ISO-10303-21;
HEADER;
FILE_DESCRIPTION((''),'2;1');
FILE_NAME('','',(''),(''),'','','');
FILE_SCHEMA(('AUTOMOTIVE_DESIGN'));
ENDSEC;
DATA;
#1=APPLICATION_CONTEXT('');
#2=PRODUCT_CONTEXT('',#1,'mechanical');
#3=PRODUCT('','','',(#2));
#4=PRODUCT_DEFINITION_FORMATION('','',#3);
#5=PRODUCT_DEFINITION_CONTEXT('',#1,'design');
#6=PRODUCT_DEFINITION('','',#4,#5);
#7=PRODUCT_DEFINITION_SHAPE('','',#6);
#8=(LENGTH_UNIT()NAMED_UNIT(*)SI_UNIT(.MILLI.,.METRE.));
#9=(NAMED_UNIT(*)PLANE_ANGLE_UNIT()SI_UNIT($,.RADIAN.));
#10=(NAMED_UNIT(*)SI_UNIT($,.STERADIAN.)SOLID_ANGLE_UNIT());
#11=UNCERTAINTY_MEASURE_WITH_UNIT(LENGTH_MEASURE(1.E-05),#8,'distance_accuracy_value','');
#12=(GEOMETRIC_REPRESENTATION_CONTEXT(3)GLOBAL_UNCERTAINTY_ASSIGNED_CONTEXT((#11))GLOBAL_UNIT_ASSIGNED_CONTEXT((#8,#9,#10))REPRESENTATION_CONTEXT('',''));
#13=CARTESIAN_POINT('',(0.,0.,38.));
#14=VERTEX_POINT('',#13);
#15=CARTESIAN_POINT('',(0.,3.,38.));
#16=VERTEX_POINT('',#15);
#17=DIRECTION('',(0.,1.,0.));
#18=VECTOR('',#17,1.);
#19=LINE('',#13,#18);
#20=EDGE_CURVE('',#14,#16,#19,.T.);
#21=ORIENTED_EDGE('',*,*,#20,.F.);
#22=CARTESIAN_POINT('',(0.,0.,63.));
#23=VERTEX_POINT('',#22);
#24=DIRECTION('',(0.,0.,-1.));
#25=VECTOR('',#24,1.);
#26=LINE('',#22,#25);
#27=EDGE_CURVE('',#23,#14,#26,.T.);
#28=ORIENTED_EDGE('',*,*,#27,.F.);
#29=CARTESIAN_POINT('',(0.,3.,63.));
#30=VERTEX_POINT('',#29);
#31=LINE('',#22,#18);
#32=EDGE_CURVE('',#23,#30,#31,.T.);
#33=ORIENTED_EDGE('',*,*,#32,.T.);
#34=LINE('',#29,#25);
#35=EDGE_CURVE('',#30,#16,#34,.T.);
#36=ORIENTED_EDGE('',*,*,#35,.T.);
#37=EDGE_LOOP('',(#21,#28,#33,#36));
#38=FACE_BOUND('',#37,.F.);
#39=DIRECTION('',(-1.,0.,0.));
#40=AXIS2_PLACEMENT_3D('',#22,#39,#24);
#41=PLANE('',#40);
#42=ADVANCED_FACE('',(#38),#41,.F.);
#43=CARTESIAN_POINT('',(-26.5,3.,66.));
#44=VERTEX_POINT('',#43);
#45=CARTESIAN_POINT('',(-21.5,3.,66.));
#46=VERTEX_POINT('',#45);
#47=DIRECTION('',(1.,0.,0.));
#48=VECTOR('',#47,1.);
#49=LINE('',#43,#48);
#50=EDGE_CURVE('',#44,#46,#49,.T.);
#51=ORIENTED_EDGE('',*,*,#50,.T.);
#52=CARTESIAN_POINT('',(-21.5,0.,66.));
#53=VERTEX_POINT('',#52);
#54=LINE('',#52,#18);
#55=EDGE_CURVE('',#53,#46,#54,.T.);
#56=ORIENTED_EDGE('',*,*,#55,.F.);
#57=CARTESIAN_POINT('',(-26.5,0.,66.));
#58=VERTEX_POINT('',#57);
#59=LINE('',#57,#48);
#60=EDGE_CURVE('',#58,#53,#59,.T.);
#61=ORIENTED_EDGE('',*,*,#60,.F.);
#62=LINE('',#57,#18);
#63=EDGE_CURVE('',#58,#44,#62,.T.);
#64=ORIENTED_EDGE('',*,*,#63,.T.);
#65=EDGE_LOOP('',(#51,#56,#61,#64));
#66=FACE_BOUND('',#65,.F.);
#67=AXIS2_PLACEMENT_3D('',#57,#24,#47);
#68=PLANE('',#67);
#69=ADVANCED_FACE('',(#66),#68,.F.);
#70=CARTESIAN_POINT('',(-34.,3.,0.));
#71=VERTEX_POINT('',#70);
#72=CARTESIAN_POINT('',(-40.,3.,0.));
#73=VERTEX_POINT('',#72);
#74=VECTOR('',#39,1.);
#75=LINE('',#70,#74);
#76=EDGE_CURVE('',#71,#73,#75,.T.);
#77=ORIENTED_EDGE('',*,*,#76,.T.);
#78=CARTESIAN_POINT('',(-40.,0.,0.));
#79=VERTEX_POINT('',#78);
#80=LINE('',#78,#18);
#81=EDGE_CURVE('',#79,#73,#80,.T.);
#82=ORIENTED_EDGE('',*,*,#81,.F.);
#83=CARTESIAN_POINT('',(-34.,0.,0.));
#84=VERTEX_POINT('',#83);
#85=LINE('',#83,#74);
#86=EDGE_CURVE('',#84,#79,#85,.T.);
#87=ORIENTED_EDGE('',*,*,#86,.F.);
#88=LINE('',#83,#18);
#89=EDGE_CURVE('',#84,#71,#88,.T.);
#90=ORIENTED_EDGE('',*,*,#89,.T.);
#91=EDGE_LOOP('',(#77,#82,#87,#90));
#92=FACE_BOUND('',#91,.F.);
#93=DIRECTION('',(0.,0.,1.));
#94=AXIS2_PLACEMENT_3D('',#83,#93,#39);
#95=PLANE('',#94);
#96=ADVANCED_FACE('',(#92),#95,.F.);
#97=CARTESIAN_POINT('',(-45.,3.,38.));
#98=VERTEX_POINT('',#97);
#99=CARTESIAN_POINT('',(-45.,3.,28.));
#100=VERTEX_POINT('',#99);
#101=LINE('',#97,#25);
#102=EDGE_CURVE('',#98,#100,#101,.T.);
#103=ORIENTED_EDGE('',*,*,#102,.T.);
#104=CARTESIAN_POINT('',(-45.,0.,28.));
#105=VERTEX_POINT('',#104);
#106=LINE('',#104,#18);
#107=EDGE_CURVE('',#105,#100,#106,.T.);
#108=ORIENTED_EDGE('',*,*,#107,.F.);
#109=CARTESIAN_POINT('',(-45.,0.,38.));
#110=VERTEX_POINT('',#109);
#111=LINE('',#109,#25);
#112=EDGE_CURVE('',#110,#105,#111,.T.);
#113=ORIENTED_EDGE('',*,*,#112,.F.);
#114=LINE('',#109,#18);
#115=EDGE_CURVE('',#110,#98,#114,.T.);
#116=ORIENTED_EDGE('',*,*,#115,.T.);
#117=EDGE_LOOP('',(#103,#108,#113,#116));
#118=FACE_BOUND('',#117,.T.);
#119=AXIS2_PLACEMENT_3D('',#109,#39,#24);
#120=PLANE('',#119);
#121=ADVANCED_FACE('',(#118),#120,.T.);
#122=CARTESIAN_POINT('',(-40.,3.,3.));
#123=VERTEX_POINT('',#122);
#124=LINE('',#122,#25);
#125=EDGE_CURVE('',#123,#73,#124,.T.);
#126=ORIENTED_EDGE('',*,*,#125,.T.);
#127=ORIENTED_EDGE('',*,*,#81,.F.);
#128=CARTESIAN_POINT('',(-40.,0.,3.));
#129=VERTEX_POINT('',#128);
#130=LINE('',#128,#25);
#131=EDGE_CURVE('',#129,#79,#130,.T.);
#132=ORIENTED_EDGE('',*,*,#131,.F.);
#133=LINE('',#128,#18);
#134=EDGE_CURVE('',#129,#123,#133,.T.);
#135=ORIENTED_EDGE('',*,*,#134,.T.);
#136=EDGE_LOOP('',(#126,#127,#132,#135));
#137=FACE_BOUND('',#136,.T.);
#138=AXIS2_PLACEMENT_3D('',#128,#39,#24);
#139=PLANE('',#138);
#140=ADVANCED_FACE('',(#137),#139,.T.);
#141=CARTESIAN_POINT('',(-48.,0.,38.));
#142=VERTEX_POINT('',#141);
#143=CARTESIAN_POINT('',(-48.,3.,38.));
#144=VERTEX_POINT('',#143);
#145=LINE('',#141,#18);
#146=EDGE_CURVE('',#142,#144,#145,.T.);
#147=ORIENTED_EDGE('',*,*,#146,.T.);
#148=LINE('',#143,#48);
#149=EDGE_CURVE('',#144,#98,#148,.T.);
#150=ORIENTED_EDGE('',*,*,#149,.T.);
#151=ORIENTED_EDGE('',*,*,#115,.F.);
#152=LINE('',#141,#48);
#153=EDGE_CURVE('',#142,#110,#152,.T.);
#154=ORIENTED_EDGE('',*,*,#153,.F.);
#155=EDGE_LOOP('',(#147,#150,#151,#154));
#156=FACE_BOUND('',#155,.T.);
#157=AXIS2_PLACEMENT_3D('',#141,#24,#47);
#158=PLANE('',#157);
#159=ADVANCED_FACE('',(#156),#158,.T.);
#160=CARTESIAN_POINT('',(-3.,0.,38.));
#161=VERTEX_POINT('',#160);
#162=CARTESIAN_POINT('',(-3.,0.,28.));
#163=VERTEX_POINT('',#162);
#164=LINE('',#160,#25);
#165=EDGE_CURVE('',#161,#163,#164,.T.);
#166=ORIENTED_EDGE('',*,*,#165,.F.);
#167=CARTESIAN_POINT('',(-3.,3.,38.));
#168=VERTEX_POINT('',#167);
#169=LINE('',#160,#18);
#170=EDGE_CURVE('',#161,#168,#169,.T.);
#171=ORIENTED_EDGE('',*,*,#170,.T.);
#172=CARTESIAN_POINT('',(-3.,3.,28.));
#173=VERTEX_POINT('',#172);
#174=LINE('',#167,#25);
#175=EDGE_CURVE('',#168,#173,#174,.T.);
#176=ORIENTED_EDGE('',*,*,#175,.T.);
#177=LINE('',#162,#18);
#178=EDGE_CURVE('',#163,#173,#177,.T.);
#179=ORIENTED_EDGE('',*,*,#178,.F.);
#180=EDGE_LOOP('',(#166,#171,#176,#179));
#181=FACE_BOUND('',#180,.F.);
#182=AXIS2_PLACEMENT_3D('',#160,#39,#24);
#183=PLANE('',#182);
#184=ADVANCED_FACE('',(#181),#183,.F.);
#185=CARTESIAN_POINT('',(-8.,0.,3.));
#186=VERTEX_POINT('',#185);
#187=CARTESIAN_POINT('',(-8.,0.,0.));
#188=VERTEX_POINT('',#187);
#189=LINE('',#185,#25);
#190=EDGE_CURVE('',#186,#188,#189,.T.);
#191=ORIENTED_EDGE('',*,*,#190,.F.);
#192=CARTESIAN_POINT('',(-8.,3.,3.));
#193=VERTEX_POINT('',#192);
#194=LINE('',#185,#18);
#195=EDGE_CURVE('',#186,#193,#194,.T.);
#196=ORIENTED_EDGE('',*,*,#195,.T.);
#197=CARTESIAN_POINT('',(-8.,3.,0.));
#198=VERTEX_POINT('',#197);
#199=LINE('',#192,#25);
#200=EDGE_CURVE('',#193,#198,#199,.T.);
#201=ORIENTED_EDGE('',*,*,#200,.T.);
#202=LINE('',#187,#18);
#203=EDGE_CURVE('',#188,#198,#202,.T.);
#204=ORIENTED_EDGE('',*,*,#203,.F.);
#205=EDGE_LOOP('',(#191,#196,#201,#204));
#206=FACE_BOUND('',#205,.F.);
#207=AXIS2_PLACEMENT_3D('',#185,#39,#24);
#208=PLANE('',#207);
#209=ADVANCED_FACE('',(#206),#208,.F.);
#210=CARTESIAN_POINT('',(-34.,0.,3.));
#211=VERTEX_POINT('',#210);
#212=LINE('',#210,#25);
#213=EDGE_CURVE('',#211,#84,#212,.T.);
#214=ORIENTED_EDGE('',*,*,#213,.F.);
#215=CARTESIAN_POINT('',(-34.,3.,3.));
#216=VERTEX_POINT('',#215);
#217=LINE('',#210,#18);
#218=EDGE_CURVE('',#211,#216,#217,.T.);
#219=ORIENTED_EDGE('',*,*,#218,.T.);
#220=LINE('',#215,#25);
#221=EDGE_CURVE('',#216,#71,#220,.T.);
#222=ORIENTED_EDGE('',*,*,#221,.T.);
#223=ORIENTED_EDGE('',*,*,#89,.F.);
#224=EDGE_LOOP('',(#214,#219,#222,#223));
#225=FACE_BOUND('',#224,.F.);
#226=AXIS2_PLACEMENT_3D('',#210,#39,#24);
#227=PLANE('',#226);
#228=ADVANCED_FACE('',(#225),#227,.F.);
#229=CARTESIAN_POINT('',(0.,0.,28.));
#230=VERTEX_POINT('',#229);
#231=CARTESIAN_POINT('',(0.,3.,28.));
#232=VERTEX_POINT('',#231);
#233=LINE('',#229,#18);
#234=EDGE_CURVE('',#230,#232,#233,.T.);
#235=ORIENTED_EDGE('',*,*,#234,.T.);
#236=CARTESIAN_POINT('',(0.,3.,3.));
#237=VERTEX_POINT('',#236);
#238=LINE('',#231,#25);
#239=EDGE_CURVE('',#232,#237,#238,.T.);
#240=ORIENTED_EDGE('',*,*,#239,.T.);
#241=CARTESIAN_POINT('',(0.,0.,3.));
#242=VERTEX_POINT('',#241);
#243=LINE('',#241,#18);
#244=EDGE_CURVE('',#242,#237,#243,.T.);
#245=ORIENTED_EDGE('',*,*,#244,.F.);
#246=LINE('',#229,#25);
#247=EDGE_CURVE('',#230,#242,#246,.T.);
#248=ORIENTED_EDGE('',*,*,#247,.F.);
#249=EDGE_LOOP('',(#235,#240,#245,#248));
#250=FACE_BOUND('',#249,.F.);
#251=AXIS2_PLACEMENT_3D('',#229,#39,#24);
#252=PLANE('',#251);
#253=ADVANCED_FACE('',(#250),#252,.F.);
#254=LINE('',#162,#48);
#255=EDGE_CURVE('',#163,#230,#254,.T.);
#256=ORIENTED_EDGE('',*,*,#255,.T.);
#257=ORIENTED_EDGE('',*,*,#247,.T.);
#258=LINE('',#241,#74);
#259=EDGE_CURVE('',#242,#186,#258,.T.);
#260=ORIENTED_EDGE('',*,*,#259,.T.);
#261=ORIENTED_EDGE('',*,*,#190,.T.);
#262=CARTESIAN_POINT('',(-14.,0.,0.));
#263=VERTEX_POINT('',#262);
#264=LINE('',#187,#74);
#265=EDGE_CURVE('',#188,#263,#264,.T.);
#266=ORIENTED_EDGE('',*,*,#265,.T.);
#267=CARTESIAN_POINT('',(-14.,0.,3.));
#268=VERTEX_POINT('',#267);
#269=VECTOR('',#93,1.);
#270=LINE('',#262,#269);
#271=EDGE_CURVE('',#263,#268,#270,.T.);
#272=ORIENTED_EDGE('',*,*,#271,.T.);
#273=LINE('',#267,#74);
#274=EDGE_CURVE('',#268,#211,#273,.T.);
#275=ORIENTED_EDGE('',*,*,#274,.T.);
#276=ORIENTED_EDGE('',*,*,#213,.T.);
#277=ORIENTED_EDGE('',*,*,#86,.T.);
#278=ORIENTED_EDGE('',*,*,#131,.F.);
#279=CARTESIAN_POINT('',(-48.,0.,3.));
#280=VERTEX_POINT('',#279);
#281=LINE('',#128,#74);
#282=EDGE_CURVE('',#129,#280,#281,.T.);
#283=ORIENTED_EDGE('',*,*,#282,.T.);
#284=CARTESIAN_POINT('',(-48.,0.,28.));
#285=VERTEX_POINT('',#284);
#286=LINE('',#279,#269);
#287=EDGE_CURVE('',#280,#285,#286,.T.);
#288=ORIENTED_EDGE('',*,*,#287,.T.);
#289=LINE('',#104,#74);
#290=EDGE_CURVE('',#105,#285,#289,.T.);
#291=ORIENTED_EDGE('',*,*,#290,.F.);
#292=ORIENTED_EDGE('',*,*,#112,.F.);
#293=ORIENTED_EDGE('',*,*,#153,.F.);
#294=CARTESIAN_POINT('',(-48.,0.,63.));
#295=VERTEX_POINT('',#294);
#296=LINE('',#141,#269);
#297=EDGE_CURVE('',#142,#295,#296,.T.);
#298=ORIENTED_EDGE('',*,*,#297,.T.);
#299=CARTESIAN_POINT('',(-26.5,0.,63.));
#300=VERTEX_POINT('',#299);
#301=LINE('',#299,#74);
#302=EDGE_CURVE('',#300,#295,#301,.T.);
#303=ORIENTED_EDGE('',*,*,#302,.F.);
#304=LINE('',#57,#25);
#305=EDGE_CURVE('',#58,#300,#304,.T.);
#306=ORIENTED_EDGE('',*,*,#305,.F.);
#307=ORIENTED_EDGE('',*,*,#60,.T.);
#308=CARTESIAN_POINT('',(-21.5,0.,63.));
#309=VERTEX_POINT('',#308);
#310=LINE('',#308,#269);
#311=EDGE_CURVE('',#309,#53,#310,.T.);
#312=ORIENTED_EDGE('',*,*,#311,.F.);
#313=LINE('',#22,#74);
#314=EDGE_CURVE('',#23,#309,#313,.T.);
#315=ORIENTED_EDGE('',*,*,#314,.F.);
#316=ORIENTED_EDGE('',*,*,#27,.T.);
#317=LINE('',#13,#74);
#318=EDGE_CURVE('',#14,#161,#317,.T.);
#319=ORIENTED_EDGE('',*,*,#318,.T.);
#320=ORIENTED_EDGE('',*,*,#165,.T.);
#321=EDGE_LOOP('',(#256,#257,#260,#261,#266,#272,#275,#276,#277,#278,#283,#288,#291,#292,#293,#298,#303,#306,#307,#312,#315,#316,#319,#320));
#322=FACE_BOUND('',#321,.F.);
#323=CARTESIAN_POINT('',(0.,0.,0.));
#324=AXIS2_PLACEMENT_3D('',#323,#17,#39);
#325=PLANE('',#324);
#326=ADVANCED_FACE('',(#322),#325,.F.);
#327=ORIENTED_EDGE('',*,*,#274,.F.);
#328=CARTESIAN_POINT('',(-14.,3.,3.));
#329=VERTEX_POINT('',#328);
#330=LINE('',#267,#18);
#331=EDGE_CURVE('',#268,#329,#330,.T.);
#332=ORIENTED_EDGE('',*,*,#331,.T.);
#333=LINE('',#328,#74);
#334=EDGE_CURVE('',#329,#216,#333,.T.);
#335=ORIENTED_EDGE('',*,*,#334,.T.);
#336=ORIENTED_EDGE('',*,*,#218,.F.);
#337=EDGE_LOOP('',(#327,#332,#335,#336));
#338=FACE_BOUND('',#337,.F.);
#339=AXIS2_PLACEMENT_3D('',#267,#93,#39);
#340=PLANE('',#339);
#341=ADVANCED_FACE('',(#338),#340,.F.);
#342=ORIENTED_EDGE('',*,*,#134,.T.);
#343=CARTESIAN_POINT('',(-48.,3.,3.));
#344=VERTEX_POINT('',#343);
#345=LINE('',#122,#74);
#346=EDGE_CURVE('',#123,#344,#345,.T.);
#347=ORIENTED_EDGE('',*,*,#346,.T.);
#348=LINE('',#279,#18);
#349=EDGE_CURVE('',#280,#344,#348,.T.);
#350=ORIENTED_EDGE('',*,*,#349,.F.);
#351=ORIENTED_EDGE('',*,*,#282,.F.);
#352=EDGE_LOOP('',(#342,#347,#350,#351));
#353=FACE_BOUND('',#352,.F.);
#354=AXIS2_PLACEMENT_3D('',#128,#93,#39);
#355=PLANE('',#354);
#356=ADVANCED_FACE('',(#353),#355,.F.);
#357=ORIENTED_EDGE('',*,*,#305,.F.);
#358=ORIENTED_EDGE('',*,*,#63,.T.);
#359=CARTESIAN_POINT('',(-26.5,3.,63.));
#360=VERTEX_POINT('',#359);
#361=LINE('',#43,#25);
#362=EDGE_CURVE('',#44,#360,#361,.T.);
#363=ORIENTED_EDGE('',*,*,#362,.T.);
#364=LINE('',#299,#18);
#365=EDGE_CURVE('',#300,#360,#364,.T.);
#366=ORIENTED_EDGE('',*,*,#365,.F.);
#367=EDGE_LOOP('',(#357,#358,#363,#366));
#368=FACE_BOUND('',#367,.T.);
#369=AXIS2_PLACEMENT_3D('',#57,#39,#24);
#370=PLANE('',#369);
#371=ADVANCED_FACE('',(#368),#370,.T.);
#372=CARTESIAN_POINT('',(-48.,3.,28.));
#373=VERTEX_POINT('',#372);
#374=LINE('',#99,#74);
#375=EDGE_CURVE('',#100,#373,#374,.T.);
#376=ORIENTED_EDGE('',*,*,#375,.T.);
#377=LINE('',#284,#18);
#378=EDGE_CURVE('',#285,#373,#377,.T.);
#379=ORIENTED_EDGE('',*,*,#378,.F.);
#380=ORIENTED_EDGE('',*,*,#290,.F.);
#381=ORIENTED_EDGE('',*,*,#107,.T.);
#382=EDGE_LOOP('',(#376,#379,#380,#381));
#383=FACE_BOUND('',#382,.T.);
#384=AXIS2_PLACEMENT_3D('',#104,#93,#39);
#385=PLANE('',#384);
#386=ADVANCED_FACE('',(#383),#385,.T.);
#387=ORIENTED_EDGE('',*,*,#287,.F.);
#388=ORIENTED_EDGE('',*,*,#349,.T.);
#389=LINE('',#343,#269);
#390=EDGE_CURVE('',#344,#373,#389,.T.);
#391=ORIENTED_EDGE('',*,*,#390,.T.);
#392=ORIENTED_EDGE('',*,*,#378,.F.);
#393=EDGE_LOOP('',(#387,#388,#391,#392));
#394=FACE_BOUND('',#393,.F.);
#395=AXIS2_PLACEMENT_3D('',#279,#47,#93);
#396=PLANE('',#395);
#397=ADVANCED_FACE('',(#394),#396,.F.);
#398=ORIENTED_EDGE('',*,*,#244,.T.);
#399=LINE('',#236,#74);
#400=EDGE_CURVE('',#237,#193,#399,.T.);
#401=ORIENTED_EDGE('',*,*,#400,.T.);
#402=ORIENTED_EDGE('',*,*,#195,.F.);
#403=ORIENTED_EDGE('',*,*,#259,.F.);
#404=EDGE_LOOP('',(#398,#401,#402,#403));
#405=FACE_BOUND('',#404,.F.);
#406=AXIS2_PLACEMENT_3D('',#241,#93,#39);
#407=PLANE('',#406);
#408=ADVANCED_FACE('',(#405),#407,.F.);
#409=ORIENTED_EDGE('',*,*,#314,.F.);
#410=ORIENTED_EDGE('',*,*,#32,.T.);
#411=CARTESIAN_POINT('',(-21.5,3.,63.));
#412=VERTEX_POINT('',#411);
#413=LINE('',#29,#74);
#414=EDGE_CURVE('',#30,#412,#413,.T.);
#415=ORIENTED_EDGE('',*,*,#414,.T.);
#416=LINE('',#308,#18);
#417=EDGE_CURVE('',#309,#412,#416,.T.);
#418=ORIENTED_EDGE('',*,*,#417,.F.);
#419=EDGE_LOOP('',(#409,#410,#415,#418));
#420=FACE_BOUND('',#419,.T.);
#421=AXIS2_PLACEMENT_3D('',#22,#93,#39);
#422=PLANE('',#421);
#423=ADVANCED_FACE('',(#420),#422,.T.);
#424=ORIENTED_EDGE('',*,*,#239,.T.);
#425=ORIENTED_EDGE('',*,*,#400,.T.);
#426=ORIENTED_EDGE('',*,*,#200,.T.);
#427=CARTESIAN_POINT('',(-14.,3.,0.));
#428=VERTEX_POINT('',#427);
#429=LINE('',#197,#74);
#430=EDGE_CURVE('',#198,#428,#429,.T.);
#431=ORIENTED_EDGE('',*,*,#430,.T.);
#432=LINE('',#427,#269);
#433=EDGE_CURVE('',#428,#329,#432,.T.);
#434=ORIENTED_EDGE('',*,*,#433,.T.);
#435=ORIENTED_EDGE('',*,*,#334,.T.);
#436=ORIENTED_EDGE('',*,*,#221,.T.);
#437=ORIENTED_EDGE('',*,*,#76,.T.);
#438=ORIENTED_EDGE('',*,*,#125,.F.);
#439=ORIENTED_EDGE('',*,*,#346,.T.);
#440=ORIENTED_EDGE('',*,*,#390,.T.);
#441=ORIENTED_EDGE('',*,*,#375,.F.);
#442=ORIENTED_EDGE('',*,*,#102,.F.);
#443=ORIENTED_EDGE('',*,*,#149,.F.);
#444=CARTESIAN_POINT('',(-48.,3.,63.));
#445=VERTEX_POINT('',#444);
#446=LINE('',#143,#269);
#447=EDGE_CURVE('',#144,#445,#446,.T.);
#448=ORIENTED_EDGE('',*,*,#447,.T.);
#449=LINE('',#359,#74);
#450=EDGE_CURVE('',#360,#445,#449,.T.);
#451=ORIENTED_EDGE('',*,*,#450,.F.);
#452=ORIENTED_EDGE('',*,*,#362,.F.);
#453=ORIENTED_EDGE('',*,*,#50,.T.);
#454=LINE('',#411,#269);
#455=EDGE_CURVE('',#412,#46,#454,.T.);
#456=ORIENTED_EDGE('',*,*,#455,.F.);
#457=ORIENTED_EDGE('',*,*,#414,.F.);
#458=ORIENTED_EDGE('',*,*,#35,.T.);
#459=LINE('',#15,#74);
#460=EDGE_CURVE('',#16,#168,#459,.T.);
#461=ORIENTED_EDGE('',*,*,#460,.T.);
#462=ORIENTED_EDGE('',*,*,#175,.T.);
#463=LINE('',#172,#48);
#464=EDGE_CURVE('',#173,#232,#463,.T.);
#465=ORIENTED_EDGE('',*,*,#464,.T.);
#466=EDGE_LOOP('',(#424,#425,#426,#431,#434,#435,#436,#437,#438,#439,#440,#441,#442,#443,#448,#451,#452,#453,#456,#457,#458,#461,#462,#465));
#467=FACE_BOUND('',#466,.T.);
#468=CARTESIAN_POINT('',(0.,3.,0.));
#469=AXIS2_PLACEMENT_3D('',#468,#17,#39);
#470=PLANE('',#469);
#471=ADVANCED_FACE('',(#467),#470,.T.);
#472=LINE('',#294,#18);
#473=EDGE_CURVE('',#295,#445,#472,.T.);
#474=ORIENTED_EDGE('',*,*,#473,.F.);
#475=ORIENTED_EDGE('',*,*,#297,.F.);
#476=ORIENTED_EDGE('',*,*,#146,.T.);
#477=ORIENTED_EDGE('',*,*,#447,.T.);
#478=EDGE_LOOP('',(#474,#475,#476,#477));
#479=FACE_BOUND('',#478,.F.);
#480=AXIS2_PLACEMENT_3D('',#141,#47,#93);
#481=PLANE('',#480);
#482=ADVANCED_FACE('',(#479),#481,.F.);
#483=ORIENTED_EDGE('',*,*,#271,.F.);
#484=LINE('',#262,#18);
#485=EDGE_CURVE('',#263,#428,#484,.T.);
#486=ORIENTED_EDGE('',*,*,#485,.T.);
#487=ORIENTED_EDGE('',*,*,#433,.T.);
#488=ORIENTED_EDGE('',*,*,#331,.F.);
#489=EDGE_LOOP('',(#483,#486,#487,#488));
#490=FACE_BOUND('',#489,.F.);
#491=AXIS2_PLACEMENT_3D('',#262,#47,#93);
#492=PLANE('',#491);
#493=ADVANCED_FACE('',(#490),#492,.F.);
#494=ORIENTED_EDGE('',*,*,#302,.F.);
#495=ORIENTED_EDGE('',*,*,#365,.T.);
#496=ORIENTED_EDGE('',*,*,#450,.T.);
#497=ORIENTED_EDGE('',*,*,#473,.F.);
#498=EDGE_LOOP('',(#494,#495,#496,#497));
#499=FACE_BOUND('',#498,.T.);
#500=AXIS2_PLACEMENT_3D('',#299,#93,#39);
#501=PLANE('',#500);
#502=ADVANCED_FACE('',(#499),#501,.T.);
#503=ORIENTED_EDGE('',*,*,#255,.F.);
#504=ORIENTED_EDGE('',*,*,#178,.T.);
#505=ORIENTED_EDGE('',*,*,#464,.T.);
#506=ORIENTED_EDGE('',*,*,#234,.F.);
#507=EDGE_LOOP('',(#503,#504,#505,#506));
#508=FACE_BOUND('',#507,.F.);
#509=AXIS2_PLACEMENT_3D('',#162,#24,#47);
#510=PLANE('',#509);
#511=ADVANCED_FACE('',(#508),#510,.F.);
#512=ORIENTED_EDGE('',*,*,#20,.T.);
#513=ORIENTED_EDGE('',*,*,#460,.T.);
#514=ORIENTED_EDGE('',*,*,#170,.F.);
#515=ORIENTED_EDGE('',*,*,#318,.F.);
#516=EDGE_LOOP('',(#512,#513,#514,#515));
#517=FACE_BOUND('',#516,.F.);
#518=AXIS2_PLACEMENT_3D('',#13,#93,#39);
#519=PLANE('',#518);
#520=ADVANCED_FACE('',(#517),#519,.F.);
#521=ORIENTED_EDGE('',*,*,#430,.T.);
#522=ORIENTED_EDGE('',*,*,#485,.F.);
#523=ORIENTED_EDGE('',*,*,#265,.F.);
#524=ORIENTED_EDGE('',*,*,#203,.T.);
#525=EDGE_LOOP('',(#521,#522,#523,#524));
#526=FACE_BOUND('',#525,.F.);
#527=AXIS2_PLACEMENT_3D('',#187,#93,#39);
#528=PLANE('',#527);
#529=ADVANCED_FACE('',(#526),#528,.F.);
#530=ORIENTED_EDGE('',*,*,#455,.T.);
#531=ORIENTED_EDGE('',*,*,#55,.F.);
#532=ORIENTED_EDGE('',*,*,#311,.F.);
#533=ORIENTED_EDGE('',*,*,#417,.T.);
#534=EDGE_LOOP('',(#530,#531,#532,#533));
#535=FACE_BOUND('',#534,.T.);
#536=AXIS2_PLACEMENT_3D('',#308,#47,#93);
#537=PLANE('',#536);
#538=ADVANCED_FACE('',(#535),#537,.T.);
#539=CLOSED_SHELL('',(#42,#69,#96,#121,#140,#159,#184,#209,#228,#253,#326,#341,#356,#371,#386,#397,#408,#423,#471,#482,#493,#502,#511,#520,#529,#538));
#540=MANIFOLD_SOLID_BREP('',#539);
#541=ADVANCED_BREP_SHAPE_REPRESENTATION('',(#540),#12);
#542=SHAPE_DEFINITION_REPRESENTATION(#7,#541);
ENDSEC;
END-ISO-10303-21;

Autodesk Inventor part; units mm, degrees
ref_plane "YZ Plane" through (0, 0, 0) normal (1, 0, 0) x (0, 1, 0)
ref_plane "XZ Plane" through (0, 0, 0) normal (0, 1, 0) x (-1, 0, 0)
ref_plane "XY Plane" through (0, 0, 0) normal (0, 0, 1) x (1, 0, 0)
sketch "Sketch1" plane through (0, 0, 0) normal (0, 1, 0) x (-1, 0, 0)
  line L0 (26.5, 66) -> (21.5, 66)
  line L1 (0, 63) -> (21.5, 63)
  line L2 (21.5, 63) -> (21.5, 66)
  line L3 (26.5, 66) -> (26.5, 63)
  line L4 (26.5, 63) -> (48, 63)
  line L5 (14, 0) -> (14, 3)
  line L6 (14, 3) -> (34, 3)
  line L7 (34, 3) -> (34, 0)
  line L8 (8, 0) -> (14, 0)
  line L9 (34, 0) -> (40, 0)
  line L10 (0, 63) -> (0, 38)
  line L11 (0, 28) -> (0, 3)
  line L12 (48, 3) -> (48, 28)
  line L13 (48, 38) -> (48, 63)
  line L14 (0, 38) -> (3, 38)
  line L15 (3, 38) -> (3, 28)
  line L16 (3, 28) -> (0, 28)
  line L17 (48, 38) -> (45, 38)
  line L18 (45, 38) -> (45, 28)
  line L19 (45, 28) -> (48, 28)
  line L20 (0, 3) -> (8, 3)
  line L21 (8, 3) -> (8, 0)
  line L22 (40, 3) -> (40, 0)
  line L23 (40, 3) -> (48, 3)
  point P0 (0, 0)
  dimension "d0" = 48
  dimension "d3" = 5
  dimension "d5" = 3
  dimension "d6" = 3
  dimension "d8" = 3
  dimension "d9" = 3
  dimension "d16" = 66
  dimension "d23" = 3
  dimension "d24" = 10
  dimension "d25" = 10
  dimension "d26" = 3
  dimension "d27" = 28
  dimension "d29" = 3
  dimension "d30" = 3
  dimension "d34" = 21.5
  dimension "d35" = 8
  dimension "d36" = 8
  dimension "d37" = 3
  dimension "d38" = 3
  dimension "d40" = 6
  dimension "d41" = 6
  dimension "d42" = 25
  dimension "d43" = 25
extrude "Extrusion1" add sketch "Sketch1" along normal blind 3
properties part number "Bottom"
